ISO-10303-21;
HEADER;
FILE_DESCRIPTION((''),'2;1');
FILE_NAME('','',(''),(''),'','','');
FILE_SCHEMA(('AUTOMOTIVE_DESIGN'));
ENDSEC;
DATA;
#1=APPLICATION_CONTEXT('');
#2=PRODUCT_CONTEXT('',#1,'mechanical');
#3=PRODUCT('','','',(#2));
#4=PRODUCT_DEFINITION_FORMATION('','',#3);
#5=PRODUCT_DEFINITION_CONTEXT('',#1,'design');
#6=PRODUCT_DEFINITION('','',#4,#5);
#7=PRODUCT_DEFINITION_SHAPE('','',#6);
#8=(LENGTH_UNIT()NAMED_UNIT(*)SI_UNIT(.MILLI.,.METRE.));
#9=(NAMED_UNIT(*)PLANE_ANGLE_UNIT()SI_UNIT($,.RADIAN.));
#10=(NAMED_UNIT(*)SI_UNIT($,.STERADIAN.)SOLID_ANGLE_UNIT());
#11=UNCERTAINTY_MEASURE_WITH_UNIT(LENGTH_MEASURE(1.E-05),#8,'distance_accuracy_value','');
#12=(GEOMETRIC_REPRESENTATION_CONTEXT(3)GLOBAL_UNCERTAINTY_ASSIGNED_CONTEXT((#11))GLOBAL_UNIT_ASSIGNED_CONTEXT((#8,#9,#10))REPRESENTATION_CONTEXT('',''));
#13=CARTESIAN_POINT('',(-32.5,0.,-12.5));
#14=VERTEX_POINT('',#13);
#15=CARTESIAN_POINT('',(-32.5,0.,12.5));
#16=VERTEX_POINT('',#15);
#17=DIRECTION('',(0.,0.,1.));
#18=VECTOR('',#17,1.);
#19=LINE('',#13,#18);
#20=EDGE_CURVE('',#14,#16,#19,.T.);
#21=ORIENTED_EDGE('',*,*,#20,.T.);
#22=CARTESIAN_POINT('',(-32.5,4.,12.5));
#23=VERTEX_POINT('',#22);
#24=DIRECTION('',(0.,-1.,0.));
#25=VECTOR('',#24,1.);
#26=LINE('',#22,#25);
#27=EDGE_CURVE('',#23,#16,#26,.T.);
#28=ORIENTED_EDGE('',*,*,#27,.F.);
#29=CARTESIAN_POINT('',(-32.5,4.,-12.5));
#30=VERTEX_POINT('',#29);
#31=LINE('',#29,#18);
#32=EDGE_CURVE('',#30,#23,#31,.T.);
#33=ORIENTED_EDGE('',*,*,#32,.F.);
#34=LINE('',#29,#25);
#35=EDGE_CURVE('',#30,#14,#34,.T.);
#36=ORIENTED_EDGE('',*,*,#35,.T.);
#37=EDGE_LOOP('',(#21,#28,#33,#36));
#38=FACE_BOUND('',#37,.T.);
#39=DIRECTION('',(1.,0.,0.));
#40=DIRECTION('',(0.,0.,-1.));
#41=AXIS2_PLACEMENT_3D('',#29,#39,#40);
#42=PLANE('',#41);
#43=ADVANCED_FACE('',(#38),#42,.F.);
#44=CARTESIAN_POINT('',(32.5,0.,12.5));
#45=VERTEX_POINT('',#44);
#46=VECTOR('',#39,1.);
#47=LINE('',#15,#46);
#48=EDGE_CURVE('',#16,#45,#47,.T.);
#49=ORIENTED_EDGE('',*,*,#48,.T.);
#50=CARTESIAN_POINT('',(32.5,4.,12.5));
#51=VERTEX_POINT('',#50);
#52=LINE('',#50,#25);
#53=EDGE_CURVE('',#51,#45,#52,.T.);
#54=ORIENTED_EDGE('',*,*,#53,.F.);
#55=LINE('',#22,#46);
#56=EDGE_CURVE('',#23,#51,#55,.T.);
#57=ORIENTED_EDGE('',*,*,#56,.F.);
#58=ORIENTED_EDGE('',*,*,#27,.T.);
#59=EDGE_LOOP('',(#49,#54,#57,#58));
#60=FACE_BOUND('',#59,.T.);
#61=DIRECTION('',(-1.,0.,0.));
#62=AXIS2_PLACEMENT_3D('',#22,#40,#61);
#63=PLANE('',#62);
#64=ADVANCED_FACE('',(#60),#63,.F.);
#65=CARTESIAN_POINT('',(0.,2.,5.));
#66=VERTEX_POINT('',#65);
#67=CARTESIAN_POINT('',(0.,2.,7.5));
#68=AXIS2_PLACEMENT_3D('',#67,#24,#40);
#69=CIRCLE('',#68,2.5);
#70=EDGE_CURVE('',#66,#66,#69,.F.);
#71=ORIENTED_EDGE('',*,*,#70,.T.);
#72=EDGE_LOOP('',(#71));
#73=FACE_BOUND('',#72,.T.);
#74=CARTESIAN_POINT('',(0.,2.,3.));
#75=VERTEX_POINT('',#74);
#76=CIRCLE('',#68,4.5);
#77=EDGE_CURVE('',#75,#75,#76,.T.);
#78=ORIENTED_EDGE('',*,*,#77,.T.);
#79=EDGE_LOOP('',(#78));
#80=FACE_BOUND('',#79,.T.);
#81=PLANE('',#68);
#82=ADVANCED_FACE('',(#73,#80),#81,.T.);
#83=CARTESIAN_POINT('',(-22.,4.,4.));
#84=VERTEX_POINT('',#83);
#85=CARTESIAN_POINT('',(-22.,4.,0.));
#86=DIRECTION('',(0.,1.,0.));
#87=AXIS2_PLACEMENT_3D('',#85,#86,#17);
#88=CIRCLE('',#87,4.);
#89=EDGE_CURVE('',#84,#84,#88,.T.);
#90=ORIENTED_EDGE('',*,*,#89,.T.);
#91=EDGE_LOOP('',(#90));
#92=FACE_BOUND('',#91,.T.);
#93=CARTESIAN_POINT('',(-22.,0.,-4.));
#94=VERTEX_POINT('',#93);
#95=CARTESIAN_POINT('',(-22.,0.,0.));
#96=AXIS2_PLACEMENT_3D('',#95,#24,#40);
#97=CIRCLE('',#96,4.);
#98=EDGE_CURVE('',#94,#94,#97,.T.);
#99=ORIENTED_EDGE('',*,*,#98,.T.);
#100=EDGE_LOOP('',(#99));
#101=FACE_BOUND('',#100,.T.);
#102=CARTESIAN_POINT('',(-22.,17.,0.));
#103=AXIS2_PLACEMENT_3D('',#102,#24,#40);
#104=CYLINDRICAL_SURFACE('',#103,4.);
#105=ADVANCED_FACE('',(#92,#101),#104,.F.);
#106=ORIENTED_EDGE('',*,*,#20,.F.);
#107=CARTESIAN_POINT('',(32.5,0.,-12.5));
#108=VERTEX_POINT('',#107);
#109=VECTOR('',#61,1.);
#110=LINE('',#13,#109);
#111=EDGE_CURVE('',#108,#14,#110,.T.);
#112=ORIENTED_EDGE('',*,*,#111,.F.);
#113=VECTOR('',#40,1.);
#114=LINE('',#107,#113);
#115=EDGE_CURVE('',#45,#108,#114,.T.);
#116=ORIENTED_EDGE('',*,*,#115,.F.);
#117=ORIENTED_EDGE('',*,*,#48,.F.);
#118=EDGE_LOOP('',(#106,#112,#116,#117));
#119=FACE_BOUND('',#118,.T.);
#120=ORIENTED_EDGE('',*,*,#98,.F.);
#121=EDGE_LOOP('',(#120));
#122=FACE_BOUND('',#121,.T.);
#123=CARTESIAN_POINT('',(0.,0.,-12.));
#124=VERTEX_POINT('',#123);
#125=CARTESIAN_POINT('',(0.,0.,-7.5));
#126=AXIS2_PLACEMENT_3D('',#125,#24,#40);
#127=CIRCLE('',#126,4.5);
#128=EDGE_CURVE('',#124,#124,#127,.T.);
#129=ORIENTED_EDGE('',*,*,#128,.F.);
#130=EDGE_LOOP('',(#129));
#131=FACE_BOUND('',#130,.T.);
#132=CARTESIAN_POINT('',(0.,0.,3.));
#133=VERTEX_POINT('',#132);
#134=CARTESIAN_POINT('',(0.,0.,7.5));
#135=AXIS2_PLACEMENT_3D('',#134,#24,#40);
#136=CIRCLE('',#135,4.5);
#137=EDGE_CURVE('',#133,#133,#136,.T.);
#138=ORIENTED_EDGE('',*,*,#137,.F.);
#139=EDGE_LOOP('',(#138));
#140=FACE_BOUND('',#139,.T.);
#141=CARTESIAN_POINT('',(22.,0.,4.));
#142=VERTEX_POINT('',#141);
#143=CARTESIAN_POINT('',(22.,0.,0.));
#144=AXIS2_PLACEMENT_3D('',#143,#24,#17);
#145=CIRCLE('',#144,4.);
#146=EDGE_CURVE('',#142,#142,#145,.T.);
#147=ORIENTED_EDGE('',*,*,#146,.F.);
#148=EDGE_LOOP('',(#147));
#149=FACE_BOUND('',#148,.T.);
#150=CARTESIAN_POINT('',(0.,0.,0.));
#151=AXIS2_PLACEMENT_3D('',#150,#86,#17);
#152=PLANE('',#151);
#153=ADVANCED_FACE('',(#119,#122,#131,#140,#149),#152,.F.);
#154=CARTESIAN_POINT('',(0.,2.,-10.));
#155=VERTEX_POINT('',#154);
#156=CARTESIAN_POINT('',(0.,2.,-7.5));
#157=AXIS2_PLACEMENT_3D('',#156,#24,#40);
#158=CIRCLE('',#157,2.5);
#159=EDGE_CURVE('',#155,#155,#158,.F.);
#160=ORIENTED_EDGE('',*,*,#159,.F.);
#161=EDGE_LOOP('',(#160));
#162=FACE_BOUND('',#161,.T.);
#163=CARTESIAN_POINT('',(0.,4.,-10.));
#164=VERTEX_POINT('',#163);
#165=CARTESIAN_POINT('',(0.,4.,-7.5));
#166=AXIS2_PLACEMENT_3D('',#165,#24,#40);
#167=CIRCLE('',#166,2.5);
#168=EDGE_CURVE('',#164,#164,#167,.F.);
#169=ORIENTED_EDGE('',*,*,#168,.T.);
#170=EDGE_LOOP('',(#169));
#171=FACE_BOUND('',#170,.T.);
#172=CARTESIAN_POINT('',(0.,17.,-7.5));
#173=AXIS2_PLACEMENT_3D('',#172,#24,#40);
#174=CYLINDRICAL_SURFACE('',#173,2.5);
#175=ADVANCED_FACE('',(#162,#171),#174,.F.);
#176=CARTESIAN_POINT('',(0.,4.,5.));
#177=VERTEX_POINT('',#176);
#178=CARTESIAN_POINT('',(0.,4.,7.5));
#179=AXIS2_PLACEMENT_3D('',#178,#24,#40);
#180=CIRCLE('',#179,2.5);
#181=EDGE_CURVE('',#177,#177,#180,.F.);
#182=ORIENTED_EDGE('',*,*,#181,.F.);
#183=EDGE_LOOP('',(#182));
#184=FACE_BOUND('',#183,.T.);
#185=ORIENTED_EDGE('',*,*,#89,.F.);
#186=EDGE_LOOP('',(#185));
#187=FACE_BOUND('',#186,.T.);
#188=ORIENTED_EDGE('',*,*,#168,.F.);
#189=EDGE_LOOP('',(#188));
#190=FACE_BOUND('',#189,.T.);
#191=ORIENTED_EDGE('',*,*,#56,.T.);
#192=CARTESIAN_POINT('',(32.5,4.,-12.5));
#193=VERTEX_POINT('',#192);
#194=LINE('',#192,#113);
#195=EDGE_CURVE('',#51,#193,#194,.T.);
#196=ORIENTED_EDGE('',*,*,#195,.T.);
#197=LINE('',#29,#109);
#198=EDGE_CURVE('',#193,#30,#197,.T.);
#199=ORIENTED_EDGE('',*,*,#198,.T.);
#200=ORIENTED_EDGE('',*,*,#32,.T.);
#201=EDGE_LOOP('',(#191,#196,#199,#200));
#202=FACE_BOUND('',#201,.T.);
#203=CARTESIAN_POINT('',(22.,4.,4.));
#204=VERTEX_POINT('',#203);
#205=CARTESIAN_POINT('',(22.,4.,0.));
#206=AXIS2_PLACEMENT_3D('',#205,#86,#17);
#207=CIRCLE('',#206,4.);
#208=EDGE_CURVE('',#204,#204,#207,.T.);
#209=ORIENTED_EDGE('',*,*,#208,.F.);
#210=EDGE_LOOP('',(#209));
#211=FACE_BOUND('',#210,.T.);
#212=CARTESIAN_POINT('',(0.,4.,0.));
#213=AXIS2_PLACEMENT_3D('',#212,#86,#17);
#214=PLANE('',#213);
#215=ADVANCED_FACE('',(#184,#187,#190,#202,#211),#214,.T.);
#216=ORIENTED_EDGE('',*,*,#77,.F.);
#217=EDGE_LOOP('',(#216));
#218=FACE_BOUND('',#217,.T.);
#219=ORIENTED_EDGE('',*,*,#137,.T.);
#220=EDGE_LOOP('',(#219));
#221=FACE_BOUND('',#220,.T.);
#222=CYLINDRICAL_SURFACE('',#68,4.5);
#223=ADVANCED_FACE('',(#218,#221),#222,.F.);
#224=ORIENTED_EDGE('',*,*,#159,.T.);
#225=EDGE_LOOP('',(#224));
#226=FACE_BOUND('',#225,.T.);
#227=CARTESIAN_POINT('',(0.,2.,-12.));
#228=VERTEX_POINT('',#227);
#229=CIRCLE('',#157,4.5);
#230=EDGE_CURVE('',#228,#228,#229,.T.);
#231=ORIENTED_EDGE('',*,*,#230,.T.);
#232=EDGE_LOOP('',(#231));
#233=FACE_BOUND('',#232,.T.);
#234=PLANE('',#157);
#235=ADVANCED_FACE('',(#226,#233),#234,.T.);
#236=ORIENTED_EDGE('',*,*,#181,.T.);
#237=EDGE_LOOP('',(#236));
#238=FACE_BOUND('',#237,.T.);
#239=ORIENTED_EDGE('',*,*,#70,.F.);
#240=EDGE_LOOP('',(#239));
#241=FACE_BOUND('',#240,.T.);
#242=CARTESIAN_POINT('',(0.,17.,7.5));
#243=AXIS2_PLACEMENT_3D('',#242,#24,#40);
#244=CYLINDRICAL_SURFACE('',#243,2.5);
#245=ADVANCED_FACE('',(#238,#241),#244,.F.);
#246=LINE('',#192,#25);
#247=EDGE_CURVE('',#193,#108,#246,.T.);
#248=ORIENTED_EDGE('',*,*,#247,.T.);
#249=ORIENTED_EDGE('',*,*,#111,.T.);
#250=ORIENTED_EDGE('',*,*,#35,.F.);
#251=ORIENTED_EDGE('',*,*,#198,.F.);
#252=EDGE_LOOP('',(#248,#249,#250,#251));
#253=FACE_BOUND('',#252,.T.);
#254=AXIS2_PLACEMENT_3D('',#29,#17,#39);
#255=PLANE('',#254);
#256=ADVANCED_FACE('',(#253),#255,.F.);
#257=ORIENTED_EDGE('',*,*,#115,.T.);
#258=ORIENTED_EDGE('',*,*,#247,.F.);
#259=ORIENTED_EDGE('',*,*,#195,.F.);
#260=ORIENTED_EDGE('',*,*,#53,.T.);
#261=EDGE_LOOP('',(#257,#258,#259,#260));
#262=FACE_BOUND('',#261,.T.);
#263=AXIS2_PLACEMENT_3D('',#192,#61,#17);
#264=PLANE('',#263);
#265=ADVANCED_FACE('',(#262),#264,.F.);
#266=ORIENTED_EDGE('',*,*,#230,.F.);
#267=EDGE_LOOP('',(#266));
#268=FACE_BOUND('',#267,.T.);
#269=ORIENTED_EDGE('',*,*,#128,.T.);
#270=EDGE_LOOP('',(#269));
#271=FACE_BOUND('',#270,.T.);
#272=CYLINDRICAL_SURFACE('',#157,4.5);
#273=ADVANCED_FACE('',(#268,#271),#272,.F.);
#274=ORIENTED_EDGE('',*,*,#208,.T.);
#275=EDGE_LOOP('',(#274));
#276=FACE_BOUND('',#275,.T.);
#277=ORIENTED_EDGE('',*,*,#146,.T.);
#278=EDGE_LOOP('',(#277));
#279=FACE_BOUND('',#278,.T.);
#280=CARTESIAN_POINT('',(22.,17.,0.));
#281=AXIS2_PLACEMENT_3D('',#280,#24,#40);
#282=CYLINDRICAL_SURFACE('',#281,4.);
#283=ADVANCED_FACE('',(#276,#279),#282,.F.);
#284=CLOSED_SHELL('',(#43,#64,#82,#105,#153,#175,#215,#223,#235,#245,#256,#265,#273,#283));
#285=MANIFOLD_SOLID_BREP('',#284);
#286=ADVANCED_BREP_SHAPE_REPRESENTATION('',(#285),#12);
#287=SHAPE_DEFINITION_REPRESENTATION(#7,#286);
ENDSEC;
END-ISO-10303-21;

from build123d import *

# Parameters (mm, degrees)
SKETCH_1_W          = 65
SKETCH_1_H          = 25
EXTRUDE_1_DEPTH     = 4
SKETCH_2_W          = 15
SKETCH_2_H          = 25
EXTRUDE_2_DEPTH     = 13
SKETCH_3_R          = 2.5
SKETCH_3_R_2        = 4
CUT_EXTRUDE_1_DEPTH = 39.74919354
SKETCH_4_R          = 4.5
CUT_EXTRUDE_2_DEPTH = 2
SKETCH_5_W          = 15
SKETCH_5_H          = 4
EXTRUDE_3_DEPTH     = 6
SKETCH_6_R          = 1.25
CUT_EXTRUDE_3_DEPTH = 40.59166579
FILLET_2_R          = 3
SKETCH_9_W          = 15
SKETCH_9_H          = 13
CUT_EXTRUDE_4_DEPTH = 53.098464469


with BuildPart() as part:
    # 草图1 → 凸台-拉伸1 (new body)
    with BuildSketch(Plane(origin=(0, 0, 0), x_dir=(1, 0, 0), z_dir=(0, 1, 0))):
        Rectangle(SKETCH_1_W, SKETCH_1_H)
    extrude(amount=EXTRUDE_1_DEPTH)

    # 草图2 → 凸台-拉伸2 (add)
    with BuildSketch(Plane(origin=(0, 4, 0), x_dir=(1, 0, 0), z_dir=(0, 1, 0))):
        Rectangle(SKETCH_2_W, SKETCH_2_H)
    extrude(amount=EXTRUDE_2_DEPTH)

    # 草图3 → 切除-拉伸1 (cut, through all)
    with BuildSketch(Plane.XZ):
        with Locations(Location((0, -7.5, 0), (0, 0, 270))):
            Circle(SKETCH_3_R)
        with Locations(Location((0, 7.5, 0), (0, 0, 90))):
            Circle(SKETCH_3_R)
        with Locations(Location((-22, 0, 0), (0, 0, 270))):
            Circle(SKETCH_3_R_2)
        with Locations(Location((22, 0, 0), (0, 0, 90))):
            Circle(SKETCH_3_R_2)
    extrude(amount=-CUT_EXTRUDE_1_DEPTH, mode=Mode.SUBTRACT)

    # 草图4 → 切除-拉伸2 (cut)
    with BuildSketch(Plane.XZ):
        with Locations(Location((0, -7.5, 0), (0, 0, 270))):
            Circle(SKETCH_4_R)
        with Locations(Location((0, 7.5, 0), (0, 0, 270))):
            Circle(SKETCH_4_R)
    extrude(amount=-CUT_EXTRUDE_2_DEPTH, mode=Mode.SUBTRACT)

    # 草图5 → 凸台-拉伸3 (add)
    with BuildSketch(Plane.XY.offset(12.5)):
        with Locations((0, 6)):
            Rectangle(SKETCH_5_W, SKETCH_5_H)
    extrude_3 = extrude(amount=EXTRUDE_3_DEPTH)

    # 草图6 → 切除-拉伸3 (cut, through all)
    with BuildSketch(Plane.XZ.offset(-4)):
        with Locations(Location((-4.5, 15.5, 0), (0, 0, 270))):
            Circle(SKETCH_6_R)
        with Locations(Location((4.5, 15.5, 0), (0, 0, 270))):
            Circle(SKETCH_6_R)
    cut_extrude_3 = extrude(amount=-CUT_EXTRUDE_3_DEPTH, mode=Mode.SUBTRACT)

    # 镜向2: 凸台-拉伸3, 切除-拉伸3 across plane
    add(extrude_3.mirror(Plane.XY))
    add(cut_extrude_3.mirror(Plane.XY), mode=Mode.SUBTRACT)

    # 圆角2
    fillet_2_edges = [part.edges().sort_by_distance(p)[0] for p in [
        (-7.5, 6, 18.5),
        (7.5, 6, 18.5),
        (-7.5, 6, -18.5),
        (7.5, 6, -18.5),
    ]]
    fillet(fillet_2_edges, radius=FILLET_2_R)

    # 草图9 → 切除-拉伸4 (cut, through all)
    with BuildSketch(Plane.XY.offset(18.5)):
        with Locations((0, 10.5)):
            Rectangle(SKETCH_9_W, SKETCH_9_H)
    extrude(amount=-CUT_EXTRUDE_4_DEPTH, mode=Mode.SUBTRACT)


solid = part.part
